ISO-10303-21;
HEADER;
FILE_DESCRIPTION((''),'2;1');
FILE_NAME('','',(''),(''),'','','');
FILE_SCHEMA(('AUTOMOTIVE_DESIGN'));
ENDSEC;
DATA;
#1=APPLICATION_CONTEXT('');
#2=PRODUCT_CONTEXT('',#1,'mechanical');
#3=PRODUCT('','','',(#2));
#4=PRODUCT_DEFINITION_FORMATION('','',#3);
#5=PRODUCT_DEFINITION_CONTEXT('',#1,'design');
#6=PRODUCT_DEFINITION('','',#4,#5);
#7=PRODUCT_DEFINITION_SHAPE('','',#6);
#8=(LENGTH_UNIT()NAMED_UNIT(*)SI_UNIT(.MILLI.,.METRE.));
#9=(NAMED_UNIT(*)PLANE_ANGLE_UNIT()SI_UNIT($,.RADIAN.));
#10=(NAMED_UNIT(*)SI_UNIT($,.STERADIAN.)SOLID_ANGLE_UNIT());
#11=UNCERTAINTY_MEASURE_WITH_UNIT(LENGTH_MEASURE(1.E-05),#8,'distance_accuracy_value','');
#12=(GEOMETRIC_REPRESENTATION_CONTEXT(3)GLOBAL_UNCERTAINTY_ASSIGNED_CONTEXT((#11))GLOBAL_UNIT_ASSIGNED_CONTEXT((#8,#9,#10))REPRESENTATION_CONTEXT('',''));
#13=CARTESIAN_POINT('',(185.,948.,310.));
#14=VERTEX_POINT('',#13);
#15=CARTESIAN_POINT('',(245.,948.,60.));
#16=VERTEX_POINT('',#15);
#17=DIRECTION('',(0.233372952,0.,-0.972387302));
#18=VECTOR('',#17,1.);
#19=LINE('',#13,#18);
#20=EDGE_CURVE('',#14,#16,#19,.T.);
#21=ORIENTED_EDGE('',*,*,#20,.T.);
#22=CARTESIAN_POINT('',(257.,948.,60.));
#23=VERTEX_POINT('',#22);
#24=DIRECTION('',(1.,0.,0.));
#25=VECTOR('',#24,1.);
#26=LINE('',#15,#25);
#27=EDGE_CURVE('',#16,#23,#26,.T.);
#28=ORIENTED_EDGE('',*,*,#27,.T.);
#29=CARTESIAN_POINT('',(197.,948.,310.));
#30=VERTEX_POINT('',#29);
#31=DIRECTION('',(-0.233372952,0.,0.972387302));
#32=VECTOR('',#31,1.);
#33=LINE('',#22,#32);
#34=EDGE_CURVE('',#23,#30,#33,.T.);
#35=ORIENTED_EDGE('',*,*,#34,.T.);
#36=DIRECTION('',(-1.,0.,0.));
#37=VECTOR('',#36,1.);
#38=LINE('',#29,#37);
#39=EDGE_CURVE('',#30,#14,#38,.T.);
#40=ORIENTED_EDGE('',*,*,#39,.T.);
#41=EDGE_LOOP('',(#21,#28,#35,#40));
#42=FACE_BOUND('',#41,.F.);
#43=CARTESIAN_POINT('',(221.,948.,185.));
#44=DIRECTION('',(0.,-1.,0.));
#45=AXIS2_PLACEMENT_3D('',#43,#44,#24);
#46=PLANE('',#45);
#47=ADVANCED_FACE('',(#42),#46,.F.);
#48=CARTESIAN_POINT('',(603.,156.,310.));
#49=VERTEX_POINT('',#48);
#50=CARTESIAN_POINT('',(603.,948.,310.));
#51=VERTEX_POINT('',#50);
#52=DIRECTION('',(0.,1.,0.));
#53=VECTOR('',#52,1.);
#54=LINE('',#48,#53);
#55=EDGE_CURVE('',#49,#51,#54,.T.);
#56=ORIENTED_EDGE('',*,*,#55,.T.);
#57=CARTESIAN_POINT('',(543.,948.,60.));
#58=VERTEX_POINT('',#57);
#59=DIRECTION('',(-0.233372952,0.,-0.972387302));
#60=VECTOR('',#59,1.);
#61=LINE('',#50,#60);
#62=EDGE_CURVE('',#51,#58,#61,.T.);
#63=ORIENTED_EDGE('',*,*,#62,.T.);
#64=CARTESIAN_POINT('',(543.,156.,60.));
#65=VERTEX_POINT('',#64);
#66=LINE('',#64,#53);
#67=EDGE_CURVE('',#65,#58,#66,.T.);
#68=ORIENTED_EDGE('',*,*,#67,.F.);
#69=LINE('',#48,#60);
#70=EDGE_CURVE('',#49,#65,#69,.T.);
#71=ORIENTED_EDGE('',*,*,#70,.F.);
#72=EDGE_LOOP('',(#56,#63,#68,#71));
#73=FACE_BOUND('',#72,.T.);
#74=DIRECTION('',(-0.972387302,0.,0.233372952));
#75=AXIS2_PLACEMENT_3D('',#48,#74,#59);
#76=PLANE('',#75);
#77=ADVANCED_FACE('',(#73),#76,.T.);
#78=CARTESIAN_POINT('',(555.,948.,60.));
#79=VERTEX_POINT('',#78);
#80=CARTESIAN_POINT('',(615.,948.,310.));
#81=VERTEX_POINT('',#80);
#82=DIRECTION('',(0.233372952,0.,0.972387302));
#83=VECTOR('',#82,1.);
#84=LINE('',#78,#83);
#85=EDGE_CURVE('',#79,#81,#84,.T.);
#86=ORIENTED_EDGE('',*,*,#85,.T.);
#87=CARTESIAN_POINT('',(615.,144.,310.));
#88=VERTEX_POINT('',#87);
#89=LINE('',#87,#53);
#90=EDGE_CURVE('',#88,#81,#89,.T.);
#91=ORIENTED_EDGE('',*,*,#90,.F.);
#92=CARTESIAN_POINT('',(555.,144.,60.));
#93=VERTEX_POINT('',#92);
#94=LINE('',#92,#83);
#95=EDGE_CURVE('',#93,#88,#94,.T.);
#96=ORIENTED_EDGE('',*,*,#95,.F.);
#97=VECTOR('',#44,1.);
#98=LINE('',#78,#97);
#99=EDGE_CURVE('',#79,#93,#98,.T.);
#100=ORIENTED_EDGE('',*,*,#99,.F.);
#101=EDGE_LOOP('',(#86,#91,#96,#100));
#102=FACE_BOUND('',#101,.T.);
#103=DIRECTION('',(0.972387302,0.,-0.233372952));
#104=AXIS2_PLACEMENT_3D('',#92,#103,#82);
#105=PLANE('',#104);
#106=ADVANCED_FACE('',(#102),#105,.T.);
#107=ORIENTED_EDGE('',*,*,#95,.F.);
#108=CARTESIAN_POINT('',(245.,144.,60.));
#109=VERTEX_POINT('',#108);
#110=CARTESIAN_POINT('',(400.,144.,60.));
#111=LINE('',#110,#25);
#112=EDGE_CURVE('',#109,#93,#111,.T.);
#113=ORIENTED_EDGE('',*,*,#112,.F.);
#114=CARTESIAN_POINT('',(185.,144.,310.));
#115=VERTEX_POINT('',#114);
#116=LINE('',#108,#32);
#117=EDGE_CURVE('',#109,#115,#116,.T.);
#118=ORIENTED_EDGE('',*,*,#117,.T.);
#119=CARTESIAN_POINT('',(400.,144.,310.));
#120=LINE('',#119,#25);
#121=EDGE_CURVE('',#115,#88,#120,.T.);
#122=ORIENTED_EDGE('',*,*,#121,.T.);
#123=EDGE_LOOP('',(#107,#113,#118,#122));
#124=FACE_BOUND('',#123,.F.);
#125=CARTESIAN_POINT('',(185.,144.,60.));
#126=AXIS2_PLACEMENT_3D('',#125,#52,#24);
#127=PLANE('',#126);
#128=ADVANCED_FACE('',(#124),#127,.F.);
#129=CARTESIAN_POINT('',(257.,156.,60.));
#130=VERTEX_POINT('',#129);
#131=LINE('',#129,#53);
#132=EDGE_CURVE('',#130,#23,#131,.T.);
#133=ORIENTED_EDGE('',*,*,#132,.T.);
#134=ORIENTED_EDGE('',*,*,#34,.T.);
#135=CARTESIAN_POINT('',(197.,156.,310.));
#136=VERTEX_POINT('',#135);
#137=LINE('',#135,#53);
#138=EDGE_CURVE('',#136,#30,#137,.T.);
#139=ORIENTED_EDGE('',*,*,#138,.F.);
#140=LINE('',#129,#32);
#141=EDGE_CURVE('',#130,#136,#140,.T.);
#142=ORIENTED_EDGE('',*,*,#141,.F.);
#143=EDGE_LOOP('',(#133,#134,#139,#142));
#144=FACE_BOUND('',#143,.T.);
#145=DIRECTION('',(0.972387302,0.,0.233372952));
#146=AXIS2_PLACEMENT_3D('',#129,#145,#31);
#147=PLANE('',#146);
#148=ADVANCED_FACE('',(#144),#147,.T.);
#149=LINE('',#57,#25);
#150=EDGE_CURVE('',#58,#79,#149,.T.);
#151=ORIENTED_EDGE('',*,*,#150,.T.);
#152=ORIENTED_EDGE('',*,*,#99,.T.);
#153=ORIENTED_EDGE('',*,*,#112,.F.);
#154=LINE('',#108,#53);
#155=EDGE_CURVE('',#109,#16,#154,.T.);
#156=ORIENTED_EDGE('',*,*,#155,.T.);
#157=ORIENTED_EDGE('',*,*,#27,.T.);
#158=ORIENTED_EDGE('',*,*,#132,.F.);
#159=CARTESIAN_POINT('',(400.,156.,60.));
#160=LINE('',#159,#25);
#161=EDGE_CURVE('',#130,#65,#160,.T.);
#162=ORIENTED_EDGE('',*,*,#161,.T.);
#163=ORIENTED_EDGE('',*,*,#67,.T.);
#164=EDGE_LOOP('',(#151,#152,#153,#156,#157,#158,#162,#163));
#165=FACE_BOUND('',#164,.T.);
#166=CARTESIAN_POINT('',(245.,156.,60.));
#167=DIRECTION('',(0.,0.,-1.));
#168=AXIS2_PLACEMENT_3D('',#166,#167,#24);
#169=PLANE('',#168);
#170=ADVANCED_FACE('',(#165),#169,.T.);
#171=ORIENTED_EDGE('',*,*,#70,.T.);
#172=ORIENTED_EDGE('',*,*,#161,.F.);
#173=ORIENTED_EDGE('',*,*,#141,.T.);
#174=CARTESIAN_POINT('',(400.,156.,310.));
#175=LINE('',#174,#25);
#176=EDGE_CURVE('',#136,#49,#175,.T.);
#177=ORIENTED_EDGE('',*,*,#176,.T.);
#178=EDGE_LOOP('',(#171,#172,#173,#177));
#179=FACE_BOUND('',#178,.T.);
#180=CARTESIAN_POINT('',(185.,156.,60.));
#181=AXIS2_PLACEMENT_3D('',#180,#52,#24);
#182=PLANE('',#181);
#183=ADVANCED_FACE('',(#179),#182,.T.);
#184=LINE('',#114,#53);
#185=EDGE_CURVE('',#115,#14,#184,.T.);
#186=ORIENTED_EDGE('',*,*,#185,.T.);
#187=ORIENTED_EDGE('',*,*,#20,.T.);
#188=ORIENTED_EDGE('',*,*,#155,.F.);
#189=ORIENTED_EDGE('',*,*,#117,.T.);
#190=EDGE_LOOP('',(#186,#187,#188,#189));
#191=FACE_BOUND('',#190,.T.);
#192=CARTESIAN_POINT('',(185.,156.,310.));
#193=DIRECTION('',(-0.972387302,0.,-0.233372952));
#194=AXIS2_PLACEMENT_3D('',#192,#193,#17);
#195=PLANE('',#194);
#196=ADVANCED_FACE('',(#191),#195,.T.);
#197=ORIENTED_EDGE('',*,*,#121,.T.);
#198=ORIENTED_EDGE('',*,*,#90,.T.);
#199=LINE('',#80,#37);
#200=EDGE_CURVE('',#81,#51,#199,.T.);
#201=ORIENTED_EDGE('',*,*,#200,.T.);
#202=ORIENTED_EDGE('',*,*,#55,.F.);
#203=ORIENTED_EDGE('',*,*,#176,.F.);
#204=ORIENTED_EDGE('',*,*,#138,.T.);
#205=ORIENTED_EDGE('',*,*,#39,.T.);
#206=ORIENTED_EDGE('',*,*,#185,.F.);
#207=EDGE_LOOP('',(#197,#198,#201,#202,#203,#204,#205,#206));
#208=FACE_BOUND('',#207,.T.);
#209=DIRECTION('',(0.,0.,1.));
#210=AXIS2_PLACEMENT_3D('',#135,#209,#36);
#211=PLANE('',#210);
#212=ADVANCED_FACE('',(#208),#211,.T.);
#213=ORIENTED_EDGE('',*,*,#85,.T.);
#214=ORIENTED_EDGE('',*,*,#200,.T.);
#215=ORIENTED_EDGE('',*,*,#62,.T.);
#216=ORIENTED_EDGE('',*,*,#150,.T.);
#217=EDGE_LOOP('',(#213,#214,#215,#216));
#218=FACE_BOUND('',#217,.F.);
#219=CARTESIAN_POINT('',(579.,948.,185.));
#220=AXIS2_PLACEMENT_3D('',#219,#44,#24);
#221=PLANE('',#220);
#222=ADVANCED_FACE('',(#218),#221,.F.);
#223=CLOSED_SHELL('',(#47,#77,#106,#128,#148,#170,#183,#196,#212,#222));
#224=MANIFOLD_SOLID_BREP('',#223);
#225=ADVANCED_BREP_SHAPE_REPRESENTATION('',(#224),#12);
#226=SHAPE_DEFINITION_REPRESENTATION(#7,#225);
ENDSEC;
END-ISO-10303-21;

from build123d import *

# Parameters (mm, degrees)
BOX016_W        = 430
BOX016_H        = 12
BOX016_DEPTH    = 250
POCKET012_DEPTH = 12
PAD_DEPTH       = 792


with BuildPart() as part:
    # Box016 → Box016 (new body)
    with BuildSketch(Plane(origin=(185, 144, 60), x_dir=(1, 0, 0), z_dir=(0, 0, 1))):
        with Locations((215, 6)):
            Rectangle(BOX016_W, BOX016_H)
    extrude(amount=BOX016_DEPTH)

    # Sketch012 → Pocket012 (cut)
    with BuildSketch(Plane(origin=(185, 144, 60), x_dir=(1, 0, 0), z_dir=(0, -1, 0))):
        Polygon((0, 250), (0, 0), (60, 0), align=None)
        Polygon((430, 250), (430, 0), (370, 0), align=None)
    extrude(amount=-POCKET012_DEPTH, mode=Mode.SUBTRACT)

    # Sketch019 → Pad (new body)
    with BuildSketch(Plane(origin=(185, 156, 60), x_dir=(-1, 0, 0), z_dir=(0, 1, 0))):
        Polygon((-60, 0), (-72, 0), (-12, 250), (0, 250), align=None)
        Polygon((-370, 0), (-430, 250), (-418, 250), (-358, 0), align=None)
    extrude(amount=PAD_DEPTH)


solid = part.part
